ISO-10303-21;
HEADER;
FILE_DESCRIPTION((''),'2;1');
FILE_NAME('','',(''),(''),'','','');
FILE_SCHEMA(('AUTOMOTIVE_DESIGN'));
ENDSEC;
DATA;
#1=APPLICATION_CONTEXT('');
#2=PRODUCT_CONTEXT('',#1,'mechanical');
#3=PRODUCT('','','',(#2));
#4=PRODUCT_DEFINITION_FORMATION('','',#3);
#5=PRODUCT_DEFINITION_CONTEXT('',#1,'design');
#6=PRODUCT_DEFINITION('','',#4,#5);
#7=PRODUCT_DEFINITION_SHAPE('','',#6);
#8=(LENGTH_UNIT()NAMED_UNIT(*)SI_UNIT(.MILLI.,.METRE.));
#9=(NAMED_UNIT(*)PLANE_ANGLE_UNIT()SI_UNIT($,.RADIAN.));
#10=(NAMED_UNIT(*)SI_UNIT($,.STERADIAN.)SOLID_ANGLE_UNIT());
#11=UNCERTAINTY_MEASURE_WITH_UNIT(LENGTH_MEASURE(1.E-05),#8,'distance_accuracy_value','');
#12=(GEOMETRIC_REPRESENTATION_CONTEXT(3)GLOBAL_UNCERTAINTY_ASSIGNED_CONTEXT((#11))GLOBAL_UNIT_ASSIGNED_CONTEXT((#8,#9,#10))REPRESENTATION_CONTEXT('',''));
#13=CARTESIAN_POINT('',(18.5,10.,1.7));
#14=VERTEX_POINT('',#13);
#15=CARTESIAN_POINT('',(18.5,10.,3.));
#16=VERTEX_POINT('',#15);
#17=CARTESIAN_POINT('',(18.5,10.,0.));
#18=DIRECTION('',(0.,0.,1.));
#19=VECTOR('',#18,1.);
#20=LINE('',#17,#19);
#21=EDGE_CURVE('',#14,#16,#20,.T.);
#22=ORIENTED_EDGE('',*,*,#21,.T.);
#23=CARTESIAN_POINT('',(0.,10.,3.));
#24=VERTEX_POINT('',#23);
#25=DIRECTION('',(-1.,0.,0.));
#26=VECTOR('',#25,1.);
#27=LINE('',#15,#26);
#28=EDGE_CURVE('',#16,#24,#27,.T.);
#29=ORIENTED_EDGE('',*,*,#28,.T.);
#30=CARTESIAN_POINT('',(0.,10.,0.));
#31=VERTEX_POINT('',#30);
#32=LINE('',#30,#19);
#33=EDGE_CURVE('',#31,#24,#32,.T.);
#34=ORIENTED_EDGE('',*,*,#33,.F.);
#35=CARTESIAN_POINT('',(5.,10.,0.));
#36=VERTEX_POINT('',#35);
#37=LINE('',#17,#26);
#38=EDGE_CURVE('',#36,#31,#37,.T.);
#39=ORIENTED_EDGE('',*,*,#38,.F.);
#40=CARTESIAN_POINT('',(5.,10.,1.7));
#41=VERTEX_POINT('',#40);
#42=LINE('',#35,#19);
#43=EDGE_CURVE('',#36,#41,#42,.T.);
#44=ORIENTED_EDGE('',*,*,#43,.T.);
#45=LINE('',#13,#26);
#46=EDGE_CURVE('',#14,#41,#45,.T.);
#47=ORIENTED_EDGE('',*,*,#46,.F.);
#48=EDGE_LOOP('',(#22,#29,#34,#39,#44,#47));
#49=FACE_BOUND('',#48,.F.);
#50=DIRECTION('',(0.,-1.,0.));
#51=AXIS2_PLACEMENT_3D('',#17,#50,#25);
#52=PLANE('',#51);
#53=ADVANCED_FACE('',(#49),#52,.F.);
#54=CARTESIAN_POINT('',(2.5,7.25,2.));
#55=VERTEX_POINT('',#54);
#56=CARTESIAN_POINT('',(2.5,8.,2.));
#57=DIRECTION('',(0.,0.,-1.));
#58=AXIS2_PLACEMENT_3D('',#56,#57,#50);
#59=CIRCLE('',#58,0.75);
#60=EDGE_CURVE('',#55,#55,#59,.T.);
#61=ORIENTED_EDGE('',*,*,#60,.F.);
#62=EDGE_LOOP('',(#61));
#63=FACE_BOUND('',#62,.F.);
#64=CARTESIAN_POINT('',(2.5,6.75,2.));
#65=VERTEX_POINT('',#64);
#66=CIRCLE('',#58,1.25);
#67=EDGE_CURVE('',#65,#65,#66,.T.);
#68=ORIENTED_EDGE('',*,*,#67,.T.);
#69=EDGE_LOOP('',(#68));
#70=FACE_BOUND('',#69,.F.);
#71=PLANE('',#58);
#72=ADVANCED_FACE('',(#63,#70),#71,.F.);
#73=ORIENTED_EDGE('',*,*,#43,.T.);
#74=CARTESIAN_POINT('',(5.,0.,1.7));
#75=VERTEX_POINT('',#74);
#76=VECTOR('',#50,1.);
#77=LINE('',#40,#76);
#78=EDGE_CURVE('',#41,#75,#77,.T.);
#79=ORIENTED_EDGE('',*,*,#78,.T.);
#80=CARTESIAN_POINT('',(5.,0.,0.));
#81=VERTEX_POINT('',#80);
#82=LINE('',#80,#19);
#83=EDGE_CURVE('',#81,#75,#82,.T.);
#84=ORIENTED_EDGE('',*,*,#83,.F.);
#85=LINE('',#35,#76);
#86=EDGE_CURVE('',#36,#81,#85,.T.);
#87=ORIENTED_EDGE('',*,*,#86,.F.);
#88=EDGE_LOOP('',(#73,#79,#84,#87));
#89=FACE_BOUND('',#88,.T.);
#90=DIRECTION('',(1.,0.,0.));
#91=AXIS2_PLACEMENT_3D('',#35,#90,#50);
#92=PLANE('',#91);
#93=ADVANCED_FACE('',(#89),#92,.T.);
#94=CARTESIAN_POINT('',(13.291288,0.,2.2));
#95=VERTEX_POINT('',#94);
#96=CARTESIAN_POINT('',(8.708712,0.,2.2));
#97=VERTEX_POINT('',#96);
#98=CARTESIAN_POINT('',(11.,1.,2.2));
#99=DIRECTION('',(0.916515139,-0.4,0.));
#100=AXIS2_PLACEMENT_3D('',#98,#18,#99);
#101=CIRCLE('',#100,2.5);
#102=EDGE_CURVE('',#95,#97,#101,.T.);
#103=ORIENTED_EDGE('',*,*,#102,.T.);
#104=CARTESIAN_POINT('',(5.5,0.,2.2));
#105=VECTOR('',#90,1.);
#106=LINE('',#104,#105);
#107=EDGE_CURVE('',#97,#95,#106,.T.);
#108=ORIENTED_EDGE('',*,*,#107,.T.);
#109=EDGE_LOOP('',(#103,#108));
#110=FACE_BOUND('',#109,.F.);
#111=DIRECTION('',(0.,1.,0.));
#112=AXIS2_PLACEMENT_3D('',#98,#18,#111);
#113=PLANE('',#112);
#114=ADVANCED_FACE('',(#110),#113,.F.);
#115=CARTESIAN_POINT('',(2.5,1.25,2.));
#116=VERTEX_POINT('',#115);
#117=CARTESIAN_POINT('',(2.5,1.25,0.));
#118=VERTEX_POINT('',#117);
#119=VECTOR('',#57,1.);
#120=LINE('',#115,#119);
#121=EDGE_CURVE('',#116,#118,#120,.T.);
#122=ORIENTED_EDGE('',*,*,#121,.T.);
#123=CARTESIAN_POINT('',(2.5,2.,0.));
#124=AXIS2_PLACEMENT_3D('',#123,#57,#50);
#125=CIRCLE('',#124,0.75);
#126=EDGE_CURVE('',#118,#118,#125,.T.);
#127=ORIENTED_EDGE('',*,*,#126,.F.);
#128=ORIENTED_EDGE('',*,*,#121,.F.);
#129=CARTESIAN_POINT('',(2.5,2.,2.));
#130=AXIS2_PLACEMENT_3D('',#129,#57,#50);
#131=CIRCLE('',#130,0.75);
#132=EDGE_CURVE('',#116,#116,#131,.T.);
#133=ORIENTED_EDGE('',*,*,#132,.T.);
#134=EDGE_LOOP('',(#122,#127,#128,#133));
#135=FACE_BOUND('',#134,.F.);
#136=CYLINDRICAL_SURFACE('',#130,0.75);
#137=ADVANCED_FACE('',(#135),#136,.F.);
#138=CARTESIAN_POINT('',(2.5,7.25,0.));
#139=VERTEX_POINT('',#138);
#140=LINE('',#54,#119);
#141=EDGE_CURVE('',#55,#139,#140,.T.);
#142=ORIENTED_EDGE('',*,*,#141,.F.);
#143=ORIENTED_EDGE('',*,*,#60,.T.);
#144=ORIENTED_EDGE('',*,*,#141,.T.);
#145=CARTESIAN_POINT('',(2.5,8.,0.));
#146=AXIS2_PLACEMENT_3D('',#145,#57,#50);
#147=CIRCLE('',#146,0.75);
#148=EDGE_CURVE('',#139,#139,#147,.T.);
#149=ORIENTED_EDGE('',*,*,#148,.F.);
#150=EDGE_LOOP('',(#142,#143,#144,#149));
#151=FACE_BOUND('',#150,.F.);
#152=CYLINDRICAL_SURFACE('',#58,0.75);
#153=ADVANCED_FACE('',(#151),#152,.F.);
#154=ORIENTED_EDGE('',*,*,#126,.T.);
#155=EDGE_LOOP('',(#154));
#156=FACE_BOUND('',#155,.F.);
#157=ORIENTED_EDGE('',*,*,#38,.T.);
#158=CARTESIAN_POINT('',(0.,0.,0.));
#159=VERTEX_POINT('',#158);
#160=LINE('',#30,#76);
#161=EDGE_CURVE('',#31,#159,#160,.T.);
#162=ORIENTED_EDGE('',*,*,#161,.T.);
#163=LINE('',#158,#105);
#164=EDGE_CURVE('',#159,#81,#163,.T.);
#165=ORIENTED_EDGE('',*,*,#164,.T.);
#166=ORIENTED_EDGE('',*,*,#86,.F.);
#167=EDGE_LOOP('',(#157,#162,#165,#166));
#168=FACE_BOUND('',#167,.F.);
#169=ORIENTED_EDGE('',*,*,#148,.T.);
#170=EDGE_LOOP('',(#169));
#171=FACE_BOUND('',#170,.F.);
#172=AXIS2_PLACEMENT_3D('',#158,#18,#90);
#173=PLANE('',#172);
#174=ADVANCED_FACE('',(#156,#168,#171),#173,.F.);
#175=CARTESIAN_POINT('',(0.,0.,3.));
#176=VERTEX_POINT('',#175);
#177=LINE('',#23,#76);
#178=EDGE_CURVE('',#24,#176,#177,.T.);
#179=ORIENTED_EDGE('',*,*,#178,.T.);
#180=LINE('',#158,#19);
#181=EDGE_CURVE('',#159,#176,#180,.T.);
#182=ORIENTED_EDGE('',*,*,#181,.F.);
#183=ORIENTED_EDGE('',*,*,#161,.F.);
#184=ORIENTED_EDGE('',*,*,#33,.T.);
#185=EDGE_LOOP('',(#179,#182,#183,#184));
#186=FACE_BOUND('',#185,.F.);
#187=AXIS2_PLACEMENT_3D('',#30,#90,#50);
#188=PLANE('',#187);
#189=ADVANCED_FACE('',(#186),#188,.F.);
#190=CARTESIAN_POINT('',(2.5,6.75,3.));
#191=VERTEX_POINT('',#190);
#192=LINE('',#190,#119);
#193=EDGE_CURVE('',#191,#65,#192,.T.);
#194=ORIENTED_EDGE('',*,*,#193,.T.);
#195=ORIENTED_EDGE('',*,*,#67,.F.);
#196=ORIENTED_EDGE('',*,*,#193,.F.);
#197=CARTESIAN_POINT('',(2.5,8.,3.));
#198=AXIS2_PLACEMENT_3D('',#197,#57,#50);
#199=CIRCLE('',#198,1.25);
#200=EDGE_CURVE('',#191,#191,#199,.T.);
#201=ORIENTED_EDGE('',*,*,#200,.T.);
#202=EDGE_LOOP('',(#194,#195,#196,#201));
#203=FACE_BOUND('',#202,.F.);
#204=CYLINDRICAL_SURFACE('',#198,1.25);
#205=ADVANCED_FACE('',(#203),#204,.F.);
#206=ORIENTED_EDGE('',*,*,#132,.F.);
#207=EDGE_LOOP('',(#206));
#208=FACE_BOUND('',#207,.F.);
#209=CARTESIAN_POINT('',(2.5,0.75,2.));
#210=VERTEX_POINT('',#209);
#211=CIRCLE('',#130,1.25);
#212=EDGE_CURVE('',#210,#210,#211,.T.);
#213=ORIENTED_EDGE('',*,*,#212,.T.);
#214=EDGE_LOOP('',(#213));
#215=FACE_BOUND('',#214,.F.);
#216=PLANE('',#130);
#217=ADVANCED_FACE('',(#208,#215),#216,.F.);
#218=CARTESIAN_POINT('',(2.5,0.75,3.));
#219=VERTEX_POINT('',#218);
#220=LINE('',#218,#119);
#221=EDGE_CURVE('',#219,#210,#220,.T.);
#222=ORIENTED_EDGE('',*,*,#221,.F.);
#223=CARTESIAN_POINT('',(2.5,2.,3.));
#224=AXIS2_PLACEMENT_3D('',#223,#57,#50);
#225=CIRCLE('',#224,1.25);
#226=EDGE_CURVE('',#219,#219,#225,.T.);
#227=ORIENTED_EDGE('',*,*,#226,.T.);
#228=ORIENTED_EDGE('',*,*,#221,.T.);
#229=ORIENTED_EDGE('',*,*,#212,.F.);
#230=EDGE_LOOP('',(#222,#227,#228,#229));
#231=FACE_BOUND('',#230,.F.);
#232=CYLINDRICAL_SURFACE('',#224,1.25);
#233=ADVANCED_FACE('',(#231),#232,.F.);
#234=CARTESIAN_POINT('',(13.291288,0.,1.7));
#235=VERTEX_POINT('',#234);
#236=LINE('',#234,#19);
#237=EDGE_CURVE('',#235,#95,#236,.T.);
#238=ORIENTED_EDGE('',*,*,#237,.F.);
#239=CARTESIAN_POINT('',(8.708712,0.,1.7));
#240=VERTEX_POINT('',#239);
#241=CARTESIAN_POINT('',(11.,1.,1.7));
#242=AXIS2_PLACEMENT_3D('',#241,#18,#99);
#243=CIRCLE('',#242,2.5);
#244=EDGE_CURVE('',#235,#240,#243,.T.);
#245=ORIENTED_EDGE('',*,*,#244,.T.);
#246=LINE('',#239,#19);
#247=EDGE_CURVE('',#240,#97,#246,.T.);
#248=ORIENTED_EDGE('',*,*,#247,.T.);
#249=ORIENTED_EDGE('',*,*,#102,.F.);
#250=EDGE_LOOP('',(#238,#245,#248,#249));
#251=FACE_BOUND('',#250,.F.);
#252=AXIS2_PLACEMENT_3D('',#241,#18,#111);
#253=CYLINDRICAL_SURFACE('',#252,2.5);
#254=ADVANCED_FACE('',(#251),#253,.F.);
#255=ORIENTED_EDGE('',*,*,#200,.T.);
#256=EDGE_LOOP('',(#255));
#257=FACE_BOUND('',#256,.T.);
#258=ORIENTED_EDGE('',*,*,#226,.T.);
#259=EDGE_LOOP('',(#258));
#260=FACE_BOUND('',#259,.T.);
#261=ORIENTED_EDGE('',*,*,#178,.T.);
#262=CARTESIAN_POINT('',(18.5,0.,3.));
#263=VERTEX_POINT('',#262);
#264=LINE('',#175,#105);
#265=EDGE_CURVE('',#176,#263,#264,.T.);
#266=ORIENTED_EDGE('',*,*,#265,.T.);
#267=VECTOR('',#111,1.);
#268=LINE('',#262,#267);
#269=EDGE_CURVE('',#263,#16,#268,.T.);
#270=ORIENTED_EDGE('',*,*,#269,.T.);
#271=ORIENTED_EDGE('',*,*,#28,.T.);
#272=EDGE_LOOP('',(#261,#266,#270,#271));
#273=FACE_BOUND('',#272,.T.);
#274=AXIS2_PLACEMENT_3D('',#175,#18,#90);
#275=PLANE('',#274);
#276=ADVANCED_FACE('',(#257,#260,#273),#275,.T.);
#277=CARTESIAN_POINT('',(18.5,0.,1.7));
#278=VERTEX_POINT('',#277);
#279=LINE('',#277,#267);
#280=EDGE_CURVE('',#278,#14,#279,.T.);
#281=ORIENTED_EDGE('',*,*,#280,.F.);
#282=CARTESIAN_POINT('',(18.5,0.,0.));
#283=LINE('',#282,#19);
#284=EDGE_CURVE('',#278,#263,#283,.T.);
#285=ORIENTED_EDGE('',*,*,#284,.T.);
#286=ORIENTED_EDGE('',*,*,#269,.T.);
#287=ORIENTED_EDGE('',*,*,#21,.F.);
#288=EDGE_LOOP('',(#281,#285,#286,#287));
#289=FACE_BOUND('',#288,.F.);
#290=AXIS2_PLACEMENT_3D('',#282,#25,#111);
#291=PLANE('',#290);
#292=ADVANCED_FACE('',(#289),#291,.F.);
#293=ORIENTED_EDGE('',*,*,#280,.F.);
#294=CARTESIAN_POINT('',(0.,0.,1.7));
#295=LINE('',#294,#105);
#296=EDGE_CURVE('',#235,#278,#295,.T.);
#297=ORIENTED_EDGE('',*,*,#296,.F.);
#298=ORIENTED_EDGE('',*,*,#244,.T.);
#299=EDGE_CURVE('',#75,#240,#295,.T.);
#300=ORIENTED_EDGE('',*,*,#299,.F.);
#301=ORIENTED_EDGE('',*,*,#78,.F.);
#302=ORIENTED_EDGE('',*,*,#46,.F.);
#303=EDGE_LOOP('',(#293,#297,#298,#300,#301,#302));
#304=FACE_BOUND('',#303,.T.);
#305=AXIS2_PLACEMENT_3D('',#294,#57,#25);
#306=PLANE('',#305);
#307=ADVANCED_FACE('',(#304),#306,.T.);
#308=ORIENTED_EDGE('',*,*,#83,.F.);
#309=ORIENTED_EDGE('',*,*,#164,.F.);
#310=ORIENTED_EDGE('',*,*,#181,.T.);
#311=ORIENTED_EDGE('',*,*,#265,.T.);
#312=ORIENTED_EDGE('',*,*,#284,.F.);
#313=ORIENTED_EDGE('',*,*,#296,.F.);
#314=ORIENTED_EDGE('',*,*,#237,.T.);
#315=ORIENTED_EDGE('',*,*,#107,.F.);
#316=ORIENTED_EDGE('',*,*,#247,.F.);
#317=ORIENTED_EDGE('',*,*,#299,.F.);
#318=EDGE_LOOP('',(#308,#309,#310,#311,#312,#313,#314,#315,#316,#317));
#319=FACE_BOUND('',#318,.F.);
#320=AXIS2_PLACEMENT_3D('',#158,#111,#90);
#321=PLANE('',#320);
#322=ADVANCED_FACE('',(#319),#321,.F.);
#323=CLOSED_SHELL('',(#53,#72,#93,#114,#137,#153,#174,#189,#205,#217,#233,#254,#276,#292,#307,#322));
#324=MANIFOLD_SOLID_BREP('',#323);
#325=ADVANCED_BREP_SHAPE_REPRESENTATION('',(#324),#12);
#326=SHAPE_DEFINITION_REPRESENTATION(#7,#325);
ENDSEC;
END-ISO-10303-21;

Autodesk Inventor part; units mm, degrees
ref_plane "YZ Plane" through (0, 0, 0) normal (1, 0, 0) x (0, 1, 0)
ref_plane "XZ Plane" through (0, 0, 0) normal (0, 1, 0) x (-1, 0, 0)
ref_plane "XY Plane" through (0, 0, 0) normal (0, 0, 1) x (1, 0, 0)
sketch "Sketch1" plane through (0, 0, 0) normal (0, 0, 1) x (1, 0, 0)
  line L0 (0, 0) -> (18.5, 0)
  line L1 (18.5, 0) -> (18.5, 10)
  line L2 (18.5, 10) -> (0, 10)
  line L3 (0, 10) -> (0, 0)
  dimension "d0" = 18.5
  dimension "d1" = 10
extrude "Extrusion1" add sketch "Sketch1" along normal blind 3
sketch "Sketch2" plane through (0, 0, 0) normal (0, 0, -1) x (-1, 0, 0)
  line L0 (0, 0) -> (-18.5, 0) projected
  line L1 (0, 10) -> (0, 0) projected
  line L2 (-18.5, 10) -> (0, 10) projected
  line L3 (-18.5, 0) -> (-18.5, 10) projected
  line L4 (-5, 10) -> (-5, 0)
  dimension "d4" = 5
extrude "Extrusion2" cut sketch "Sketch2" against normal blind 1.7 contours L0 L3 L2 L4
sketch "Sketch3" plane through (0, 0, 3) normal (0, 0, 1) x (1, 0, 0)
  point P0 (0, 0)
  point P1 (2.5, 2)
  point P2 (2.5, 8)
  dimension "d7" = 6
  dimension "d8" = 2.5
  dimension "d9" = 2
hole "Hole1" at (2.5, 2, 3) at (2.5, 8, 3) direction (0, 0, -1) diameter 1.5 depth 8 tip angle 118 counterbore diameter 2.5 counterbore depth 1
sketch "Sketch4" plane through (0, 0, 1.7) normal (0, 0, -1) x (-1, 0, 0)
  circle A0 centre (-2.5, 2) radius 0.75 projected
  point P0 (0, 0)
  point P1 (-11, 1)
  dimension "d18" = 8.5
  dimension "d26" = 1
hole "Hole2" at (11, 1, 1.7) direction (0, 0, 1) diameter 5 depth 0.5
properties part number "thumb_03 CMC bottom angle sensor holder"
